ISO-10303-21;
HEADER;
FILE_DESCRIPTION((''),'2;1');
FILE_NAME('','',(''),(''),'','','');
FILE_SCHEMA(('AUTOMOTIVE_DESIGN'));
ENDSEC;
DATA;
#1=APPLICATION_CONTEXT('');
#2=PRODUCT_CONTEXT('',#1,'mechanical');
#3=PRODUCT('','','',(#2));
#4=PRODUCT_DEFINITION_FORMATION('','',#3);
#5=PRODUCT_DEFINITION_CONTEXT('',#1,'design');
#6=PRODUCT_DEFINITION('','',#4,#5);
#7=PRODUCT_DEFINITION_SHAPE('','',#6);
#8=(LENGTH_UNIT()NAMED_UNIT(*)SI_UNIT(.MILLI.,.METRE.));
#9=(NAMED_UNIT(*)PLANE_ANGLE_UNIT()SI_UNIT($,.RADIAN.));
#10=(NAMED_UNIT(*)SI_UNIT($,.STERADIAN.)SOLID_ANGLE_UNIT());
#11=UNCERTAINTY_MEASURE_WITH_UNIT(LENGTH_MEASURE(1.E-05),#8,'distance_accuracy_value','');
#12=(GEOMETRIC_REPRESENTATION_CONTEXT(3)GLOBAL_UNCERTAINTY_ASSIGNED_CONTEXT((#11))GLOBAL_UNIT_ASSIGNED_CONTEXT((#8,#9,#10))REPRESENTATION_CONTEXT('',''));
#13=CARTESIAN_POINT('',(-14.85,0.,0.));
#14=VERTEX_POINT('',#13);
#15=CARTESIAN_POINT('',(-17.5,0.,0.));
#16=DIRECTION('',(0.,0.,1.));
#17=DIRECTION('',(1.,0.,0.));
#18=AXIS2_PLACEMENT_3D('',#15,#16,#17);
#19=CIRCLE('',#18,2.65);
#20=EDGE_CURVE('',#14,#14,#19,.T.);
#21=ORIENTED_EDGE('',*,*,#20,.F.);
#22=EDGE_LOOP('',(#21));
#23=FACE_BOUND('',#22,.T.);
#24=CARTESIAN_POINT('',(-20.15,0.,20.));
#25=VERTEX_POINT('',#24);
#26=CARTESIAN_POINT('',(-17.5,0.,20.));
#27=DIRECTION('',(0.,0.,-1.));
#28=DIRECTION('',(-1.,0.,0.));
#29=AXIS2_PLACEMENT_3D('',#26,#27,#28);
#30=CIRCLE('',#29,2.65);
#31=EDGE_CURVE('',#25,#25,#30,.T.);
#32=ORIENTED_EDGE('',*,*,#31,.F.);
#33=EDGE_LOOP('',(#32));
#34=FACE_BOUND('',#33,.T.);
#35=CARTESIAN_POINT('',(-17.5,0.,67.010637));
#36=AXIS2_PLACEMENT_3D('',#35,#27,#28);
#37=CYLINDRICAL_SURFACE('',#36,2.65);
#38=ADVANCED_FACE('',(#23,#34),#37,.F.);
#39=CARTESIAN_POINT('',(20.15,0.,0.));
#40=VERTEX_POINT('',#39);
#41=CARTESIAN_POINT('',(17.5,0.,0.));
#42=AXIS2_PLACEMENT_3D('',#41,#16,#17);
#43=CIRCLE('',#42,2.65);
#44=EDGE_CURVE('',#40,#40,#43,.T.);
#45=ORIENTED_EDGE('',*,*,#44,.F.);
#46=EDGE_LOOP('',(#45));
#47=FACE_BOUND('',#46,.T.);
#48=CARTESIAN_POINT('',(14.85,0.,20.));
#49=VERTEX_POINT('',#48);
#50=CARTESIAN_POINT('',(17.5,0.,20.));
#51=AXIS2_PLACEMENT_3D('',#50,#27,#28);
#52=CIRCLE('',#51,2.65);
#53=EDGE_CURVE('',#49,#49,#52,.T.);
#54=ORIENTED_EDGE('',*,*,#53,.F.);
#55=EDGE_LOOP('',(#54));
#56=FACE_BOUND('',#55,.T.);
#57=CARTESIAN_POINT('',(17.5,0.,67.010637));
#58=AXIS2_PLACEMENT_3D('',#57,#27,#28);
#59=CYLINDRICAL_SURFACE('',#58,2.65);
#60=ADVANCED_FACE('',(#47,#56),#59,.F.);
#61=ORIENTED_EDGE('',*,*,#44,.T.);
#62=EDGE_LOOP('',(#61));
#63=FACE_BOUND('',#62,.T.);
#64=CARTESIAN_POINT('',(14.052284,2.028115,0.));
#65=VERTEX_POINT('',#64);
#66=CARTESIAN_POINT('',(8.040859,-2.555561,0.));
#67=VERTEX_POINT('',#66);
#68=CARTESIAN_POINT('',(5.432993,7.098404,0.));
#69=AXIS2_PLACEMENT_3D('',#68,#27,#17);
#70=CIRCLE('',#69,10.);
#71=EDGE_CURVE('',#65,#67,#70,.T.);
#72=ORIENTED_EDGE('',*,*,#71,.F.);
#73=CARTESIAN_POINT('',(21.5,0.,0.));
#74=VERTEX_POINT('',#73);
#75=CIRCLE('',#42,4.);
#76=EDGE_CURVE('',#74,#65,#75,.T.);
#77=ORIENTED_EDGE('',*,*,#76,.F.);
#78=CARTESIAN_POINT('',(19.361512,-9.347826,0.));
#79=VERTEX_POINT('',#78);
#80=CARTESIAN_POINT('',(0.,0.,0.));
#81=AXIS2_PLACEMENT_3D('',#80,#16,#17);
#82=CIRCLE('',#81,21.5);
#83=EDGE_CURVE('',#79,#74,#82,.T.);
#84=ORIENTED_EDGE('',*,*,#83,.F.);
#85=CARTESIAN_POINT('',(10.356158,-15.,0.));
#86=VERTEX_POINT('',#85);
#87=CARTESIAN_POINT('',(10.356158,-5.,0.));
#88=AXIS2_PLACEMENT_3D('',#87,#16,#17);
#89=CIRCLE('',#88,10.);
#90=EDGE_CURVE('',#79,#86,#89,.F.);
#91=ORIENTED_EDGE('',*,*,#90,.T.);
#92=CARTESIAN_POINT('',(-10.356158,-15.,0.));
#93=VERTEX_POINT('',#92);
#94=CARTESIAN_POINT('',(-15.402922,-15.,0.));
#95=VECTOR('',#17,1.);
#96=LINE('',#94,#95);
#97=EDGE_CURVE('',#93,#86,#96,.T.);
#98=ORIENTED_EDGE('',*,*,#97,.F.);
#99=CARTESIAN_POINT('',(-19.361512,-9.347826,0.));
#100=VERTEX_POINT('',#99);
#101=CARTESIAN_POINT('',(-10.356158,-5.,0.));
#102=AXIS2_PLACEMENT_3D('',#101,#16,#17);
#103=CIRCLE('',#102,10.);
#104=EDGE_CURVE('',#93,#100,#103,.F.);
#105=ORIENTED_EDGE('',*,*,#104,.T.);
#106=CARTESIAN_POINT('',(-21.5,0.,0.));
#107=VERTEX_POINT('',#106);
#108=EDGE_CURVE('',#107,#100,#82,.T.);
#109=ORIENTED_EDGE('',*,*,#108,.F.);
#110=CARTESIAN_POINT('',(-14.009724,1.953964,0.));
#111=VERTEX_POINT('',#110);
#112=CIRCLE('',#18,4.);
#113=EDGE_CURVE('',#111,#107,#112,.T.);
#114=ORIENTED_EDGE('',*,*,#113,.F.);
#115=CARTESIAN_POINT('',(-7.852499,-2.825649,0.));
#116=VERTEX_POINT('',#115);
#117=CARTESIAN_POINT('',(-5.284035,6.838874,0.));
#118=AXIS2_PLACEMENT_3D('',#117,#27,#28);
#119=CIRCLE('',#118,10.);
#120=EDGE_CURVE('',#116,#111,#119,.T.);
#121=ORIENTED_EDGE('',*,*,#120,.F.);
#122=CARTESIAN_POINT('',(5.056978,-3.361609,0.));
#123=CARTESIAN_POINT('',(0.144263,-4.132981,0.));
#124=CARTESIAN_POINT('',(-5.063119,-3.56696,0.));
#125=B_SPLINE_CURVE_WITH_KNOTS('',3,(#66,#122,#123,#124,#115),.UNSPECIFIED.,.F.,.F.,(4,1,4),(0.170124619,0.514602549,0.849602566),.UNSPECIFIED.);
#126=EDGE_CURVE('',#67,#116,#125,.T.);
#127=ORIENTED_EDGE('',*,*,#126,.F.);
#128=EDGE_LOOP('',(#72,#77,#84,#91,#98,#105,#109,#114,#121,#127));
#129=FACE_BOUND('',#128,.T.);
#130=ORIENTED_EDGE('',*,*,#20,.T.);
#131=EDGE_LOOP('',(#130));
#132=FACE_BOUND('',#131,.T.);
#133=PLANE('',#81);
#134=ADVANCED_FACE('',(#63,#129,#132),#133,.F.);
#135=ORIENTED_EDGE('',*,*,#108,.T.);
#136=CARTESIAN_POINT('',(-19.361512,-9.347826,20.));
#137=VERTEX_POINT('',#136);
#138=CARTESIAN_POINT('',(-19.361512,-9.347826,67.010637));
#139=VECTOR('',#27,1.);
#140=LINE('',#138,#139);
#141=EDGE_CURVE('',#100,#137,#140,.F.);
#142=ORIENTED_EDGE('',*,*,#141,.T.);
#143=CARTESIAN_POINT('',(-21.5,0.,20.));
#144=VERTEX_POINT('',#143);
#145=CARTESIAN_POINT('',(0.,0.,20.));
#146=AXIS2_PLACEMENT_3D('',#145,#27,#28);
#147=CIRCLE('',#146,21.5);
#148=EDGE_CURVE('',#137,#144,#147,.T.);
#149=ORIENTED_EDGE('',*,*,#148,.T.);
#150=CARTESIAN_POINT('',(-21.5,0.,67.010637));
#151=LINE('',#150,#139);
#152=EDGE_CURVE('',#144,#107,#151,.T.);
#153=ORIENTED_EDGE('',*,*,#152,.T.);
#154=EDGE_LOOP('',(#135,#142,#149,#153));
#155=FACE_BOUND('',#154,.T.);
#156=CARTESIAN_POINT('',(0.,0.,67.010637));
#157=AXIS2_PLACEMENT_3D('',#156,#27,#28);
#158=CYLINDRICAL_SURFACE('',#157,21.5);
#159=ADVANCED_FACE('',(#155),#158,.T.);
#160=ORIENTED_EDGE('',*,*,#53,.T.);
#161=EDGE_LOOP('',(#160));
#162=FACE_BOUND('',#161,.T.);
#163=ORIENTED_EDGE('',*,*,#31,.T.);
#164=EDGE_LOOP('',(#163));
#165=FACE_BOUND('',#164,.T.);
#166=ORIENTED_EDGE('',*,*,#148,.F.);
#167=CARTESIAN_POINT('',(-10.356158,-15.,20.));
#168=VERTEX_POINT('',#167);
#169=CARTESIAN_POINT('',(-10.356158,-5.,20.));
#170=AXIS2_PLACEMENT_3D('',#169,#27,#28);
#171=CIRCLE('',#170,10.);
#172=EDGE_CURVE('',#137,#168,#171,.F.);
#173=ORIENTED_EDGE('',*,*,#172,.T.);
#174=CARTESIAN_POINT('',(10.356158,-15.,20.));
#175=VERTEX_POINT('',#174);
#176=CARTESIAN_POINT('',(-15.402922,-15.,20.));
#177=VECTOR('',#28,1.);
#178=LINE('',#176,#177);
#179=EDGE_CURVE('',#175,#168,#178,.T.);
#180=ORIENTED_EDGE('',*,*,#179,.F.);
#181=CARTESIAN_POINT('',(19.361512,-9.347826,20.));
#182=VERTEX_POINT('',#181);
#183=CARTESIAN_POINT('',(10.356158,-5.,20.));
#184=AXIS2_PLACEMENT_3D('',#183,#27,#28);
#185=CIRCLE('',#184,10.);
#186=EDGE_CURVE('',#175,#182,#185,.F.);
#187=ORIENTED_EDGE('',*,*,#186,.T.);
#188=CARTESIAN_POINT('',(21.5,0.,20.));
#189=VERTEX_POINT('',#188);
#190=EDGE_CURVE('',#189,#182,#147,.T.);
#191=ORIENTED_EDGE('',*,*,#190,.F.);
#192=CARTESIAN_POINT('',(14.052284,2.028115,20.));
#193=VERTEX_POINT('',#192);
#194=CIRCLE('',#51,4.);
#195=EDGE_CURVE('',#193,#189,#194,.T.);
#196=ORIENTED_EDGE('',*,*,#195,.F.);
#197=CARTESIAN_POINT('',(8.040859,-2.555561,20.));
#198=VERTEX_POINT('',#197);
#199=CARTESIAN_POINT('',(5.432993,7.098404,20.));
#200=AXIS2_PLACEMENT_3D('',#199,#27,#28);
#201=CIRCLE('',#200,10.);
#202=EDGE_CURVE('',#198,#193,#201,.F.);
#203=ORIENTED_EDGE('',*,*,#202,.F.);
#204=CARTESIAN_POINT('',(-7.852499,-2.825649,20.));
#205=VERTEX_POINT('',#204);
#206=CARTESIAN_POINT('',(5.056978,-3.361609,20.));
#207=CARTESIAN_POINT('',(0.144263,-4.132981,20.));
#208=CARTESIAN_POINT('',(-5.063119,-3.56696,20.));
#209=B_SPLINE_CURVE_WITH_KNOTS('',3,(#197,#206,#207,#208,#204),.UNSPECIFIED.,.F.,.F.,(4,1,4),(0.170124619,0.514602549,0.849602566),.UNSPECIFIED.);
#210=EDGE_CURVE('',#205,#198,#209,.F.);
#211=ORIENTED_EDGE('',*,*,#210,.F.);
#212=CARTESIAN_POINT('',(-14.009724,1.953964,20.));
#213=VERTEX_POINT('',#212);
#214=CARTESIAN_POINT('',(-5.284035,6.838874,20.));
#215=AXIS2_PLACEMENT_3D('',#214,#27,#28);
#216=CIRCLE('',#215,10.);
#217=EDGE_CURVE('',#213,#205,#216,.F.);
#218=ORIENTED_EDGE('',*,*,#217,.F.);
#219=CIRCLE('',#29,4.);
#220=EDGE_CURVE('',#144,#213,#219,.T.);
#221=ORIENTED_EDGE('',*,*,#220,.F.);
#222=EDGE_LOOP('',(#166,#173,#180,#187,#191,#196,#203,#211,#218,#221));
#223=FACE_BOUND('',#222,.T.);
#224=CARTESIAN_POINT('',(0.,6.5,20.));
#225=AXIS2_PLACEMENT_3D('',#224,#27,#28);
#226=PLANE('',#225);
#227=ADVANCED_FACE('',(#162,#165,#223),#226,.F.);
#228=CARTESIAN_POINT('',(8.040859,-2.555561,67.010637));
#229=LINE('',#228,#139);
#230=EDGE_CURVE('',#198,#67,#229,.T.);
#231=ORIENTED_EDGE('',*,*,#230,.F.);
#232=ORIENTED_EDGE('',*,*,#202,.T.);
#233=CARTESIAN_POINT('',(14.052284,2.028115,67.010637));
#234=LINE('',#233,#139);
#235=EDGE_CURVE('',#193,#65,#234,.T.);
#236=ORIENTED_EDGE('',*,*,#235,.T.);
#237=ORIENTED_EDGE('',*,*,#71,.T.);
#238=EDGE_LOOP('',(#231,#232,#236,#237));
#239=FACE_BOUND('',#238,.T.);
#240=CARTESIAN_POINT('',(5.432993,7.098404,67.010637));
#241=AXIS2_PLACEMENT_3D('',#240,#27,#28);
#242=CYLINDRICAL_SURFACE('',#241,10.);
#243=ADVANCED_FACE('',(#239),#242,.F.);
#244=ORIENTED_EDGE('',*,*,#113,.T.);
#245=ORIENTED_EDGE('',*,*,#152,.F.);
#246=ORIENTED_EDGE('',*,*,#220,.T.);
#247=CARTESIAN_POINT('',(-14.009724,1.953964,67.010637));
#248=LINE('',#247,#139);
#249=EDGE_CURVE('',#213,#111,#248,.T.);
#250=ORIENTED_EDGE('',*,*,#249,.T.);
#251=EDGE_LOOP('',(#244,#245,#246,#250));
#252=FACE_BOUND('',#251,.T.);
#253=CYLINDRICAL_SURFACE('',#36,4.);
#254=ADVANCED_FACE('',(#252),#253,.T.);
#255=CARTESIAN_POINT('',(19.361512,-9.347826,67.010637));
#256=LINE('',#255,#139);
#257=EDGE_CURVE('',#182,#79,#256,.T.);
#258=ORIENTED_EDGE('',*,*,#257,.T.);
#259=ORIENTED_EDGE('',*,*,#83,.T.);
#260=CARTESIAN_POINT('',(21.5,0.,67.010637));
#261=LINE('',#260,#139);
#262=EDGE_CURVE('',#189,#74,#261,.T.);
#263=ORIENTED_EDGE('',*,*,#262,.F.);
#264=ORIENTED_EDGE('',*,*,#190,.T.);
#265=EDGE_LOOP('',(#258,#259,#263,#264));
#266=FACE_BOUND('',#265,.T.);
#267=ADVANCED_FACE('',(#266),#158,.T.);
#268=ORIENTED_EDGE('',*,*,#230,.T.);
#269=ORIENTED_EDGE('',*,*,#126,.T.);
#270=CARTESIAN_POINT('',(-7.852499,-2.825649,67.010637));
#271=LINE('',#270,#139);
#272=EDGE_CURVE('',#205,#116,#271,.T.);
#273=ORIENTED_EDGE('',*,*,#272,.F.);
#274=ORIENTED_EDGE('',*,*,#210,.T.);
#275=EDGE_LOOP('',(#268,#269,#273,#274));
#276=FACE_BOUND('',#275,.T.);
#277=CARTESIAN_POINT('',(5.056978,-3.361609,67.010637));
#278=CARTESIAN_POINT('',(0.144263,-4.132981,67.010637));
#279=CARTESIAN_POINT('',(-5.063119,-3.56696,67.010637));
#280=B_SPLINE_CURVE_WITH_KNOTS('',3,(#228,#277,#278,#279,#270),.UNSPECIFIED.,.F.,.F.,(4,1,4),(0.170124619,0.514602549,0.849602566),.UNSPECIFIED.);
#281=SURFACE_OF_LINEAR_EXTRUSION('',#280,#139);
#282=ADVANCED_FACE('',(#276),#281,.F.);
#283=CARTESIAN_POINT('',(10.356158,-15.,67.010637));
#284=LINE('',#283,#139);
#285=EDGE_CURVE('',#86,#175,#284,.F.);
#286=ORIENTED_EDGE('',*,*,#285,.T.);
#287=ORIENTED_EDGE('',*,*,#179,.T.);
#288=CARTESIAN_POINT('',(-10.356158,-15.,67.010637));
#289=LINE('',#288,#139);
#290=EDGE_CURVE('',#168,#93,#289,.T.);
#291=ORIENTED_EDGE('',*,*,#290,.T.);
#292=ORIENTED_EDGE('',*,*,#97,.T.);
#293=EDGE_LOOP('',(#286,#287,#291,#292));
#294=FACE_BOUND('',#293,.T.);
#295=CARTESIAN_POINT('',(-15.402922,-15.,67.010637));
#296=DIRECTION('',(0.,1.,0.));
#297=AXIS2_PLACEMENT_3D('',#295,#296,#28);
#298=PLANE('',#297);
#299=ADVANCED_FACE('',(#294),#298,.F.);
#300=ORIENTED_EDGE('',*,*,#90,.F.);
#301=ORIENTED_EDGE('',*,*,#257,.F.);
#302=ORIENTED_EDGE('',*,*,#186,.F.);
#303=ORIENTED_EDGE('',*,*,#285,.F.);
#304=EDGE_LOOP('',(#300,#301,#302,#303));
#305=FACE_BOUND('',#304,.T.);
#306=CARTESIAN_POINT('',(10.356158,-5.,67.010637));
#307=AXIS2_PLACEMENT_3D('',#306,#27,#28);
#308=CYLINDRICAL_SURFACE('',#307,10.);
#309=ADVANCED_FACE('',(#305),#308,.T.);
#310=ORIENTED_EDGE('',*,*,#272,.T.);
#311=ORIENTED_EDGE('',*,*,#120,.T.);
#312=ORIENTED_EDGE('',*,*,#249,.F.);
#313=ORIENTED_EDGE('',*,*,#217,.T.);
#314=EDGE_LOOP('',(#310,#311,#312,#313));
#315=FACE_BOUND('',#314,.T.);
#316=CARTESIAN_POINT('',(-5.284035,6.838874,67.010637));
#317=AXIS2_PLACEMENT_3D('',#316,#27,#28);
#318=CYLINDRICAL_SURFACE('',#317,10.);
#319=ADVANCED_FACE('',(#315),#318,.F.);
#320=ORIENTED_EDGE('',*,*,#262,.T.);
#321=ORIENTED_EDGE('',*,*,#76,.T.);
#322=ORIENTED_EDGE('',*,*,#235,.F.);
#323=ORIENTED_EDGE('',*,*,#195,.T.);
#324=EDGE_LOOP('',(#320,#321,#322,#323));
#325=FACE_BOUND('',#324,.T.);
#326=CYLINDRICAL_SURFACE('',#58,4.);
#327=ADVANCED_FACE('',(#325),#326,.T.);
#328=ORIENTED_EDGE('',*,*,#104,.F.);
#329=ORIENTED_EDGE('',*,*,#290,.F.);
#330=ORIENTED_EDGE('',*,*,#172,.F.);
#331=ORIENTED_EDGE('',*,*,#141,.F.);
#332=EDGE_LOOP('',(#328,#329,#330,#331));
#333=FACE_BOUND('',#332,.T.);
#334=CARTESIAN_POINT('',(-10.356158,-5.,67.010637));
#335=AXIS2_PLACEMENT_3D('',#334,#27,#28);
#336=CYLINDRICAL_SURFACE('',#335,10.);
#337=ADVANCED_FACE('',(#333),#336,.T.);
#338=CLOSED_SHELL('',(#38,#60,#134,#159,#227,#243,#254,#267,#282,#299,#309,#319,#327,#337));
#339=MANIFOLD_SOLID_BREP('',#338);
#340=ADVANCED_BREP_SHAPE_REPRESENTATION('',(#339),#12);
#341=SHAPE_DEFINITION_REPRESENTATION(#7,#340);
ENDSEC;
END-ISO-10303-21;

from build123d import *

# Parameters (mm, degrees)
SCHIZZO1_R                   = 2.65
ESTRUSIONE_ESTRUSIONE1_DEPTH = 20
RACCORDO1_R                  = 10


with BuildPart() as part:
    # Schizzo1 → Estrusione-Estrusione1 (new body)
    with BuildSketch(Plane.XY):
        with BuildLine():
            Line((-15.402921801, -15), (15.402921801, -15))
            ThreePointArc((15.402921801, -15), (19.917490037, -8.095899619), (21.5, 0))
            ThreePointArc((21.5, 0), (18.550983955, 3.85946016), (14.052283637, 2.028115352))
            ThreePointArc((14.052283637, 2.028115352), (11.496390023, -0.853653439), (8.040859025, -2.555560913))
            add(Edge.make_bspline(
                [(-7.852499182, -2.82564864), (-5.063118639, -3.566960484), (0.144262576, -4.132980744), (5.056977543, -3.361609436), (8.040859025, -2.555560913)],
                knots=[0.170124619, 0.170124619, 0.170124619, 0.170124619, 0.505124636, 0.849602566, 0.849602566, 0.849602566, 0.849602566], degree=3))
            ThreePointArc((-7.852499182, -2.82564864), (-11.415971798, -1.060452164), (-14.009724205, 1.953963888))
            ThreePointArc((-14.009724205, 1.953963888), (-18.509677379, 3.870471753), (-21.5, 0))
            ThreePointArc((-21.5, 0), (-19.917490037, -8.095899619), (-15.402921801, -15))
        make_face()
        with Locations(Location((-17.5, 0, 0), (0, 0, 180))):
            Circle(SCHIZZO1_R, mode=Mode.SUBTRACT)
        with Locations(Location((17.5, 0, 0), (0, 0, 180))):
            Circle(SCHIZZO1_R, mode=Mode.SUBTRACT)
    extrude(amount=ESTRUSIONE_ESTRUSIONE1_DEPTH)

    # Raccordo1
    raccordo1_edges = [part.edges().sort_by_distance(p)[0] for p in [
        (15.402921801, -15, 10),
        (-15.402921801, -15, 10),
    ]]
    fillet(raccordo1_edges, radius=RACCORDO1_R)


solid = part.part
